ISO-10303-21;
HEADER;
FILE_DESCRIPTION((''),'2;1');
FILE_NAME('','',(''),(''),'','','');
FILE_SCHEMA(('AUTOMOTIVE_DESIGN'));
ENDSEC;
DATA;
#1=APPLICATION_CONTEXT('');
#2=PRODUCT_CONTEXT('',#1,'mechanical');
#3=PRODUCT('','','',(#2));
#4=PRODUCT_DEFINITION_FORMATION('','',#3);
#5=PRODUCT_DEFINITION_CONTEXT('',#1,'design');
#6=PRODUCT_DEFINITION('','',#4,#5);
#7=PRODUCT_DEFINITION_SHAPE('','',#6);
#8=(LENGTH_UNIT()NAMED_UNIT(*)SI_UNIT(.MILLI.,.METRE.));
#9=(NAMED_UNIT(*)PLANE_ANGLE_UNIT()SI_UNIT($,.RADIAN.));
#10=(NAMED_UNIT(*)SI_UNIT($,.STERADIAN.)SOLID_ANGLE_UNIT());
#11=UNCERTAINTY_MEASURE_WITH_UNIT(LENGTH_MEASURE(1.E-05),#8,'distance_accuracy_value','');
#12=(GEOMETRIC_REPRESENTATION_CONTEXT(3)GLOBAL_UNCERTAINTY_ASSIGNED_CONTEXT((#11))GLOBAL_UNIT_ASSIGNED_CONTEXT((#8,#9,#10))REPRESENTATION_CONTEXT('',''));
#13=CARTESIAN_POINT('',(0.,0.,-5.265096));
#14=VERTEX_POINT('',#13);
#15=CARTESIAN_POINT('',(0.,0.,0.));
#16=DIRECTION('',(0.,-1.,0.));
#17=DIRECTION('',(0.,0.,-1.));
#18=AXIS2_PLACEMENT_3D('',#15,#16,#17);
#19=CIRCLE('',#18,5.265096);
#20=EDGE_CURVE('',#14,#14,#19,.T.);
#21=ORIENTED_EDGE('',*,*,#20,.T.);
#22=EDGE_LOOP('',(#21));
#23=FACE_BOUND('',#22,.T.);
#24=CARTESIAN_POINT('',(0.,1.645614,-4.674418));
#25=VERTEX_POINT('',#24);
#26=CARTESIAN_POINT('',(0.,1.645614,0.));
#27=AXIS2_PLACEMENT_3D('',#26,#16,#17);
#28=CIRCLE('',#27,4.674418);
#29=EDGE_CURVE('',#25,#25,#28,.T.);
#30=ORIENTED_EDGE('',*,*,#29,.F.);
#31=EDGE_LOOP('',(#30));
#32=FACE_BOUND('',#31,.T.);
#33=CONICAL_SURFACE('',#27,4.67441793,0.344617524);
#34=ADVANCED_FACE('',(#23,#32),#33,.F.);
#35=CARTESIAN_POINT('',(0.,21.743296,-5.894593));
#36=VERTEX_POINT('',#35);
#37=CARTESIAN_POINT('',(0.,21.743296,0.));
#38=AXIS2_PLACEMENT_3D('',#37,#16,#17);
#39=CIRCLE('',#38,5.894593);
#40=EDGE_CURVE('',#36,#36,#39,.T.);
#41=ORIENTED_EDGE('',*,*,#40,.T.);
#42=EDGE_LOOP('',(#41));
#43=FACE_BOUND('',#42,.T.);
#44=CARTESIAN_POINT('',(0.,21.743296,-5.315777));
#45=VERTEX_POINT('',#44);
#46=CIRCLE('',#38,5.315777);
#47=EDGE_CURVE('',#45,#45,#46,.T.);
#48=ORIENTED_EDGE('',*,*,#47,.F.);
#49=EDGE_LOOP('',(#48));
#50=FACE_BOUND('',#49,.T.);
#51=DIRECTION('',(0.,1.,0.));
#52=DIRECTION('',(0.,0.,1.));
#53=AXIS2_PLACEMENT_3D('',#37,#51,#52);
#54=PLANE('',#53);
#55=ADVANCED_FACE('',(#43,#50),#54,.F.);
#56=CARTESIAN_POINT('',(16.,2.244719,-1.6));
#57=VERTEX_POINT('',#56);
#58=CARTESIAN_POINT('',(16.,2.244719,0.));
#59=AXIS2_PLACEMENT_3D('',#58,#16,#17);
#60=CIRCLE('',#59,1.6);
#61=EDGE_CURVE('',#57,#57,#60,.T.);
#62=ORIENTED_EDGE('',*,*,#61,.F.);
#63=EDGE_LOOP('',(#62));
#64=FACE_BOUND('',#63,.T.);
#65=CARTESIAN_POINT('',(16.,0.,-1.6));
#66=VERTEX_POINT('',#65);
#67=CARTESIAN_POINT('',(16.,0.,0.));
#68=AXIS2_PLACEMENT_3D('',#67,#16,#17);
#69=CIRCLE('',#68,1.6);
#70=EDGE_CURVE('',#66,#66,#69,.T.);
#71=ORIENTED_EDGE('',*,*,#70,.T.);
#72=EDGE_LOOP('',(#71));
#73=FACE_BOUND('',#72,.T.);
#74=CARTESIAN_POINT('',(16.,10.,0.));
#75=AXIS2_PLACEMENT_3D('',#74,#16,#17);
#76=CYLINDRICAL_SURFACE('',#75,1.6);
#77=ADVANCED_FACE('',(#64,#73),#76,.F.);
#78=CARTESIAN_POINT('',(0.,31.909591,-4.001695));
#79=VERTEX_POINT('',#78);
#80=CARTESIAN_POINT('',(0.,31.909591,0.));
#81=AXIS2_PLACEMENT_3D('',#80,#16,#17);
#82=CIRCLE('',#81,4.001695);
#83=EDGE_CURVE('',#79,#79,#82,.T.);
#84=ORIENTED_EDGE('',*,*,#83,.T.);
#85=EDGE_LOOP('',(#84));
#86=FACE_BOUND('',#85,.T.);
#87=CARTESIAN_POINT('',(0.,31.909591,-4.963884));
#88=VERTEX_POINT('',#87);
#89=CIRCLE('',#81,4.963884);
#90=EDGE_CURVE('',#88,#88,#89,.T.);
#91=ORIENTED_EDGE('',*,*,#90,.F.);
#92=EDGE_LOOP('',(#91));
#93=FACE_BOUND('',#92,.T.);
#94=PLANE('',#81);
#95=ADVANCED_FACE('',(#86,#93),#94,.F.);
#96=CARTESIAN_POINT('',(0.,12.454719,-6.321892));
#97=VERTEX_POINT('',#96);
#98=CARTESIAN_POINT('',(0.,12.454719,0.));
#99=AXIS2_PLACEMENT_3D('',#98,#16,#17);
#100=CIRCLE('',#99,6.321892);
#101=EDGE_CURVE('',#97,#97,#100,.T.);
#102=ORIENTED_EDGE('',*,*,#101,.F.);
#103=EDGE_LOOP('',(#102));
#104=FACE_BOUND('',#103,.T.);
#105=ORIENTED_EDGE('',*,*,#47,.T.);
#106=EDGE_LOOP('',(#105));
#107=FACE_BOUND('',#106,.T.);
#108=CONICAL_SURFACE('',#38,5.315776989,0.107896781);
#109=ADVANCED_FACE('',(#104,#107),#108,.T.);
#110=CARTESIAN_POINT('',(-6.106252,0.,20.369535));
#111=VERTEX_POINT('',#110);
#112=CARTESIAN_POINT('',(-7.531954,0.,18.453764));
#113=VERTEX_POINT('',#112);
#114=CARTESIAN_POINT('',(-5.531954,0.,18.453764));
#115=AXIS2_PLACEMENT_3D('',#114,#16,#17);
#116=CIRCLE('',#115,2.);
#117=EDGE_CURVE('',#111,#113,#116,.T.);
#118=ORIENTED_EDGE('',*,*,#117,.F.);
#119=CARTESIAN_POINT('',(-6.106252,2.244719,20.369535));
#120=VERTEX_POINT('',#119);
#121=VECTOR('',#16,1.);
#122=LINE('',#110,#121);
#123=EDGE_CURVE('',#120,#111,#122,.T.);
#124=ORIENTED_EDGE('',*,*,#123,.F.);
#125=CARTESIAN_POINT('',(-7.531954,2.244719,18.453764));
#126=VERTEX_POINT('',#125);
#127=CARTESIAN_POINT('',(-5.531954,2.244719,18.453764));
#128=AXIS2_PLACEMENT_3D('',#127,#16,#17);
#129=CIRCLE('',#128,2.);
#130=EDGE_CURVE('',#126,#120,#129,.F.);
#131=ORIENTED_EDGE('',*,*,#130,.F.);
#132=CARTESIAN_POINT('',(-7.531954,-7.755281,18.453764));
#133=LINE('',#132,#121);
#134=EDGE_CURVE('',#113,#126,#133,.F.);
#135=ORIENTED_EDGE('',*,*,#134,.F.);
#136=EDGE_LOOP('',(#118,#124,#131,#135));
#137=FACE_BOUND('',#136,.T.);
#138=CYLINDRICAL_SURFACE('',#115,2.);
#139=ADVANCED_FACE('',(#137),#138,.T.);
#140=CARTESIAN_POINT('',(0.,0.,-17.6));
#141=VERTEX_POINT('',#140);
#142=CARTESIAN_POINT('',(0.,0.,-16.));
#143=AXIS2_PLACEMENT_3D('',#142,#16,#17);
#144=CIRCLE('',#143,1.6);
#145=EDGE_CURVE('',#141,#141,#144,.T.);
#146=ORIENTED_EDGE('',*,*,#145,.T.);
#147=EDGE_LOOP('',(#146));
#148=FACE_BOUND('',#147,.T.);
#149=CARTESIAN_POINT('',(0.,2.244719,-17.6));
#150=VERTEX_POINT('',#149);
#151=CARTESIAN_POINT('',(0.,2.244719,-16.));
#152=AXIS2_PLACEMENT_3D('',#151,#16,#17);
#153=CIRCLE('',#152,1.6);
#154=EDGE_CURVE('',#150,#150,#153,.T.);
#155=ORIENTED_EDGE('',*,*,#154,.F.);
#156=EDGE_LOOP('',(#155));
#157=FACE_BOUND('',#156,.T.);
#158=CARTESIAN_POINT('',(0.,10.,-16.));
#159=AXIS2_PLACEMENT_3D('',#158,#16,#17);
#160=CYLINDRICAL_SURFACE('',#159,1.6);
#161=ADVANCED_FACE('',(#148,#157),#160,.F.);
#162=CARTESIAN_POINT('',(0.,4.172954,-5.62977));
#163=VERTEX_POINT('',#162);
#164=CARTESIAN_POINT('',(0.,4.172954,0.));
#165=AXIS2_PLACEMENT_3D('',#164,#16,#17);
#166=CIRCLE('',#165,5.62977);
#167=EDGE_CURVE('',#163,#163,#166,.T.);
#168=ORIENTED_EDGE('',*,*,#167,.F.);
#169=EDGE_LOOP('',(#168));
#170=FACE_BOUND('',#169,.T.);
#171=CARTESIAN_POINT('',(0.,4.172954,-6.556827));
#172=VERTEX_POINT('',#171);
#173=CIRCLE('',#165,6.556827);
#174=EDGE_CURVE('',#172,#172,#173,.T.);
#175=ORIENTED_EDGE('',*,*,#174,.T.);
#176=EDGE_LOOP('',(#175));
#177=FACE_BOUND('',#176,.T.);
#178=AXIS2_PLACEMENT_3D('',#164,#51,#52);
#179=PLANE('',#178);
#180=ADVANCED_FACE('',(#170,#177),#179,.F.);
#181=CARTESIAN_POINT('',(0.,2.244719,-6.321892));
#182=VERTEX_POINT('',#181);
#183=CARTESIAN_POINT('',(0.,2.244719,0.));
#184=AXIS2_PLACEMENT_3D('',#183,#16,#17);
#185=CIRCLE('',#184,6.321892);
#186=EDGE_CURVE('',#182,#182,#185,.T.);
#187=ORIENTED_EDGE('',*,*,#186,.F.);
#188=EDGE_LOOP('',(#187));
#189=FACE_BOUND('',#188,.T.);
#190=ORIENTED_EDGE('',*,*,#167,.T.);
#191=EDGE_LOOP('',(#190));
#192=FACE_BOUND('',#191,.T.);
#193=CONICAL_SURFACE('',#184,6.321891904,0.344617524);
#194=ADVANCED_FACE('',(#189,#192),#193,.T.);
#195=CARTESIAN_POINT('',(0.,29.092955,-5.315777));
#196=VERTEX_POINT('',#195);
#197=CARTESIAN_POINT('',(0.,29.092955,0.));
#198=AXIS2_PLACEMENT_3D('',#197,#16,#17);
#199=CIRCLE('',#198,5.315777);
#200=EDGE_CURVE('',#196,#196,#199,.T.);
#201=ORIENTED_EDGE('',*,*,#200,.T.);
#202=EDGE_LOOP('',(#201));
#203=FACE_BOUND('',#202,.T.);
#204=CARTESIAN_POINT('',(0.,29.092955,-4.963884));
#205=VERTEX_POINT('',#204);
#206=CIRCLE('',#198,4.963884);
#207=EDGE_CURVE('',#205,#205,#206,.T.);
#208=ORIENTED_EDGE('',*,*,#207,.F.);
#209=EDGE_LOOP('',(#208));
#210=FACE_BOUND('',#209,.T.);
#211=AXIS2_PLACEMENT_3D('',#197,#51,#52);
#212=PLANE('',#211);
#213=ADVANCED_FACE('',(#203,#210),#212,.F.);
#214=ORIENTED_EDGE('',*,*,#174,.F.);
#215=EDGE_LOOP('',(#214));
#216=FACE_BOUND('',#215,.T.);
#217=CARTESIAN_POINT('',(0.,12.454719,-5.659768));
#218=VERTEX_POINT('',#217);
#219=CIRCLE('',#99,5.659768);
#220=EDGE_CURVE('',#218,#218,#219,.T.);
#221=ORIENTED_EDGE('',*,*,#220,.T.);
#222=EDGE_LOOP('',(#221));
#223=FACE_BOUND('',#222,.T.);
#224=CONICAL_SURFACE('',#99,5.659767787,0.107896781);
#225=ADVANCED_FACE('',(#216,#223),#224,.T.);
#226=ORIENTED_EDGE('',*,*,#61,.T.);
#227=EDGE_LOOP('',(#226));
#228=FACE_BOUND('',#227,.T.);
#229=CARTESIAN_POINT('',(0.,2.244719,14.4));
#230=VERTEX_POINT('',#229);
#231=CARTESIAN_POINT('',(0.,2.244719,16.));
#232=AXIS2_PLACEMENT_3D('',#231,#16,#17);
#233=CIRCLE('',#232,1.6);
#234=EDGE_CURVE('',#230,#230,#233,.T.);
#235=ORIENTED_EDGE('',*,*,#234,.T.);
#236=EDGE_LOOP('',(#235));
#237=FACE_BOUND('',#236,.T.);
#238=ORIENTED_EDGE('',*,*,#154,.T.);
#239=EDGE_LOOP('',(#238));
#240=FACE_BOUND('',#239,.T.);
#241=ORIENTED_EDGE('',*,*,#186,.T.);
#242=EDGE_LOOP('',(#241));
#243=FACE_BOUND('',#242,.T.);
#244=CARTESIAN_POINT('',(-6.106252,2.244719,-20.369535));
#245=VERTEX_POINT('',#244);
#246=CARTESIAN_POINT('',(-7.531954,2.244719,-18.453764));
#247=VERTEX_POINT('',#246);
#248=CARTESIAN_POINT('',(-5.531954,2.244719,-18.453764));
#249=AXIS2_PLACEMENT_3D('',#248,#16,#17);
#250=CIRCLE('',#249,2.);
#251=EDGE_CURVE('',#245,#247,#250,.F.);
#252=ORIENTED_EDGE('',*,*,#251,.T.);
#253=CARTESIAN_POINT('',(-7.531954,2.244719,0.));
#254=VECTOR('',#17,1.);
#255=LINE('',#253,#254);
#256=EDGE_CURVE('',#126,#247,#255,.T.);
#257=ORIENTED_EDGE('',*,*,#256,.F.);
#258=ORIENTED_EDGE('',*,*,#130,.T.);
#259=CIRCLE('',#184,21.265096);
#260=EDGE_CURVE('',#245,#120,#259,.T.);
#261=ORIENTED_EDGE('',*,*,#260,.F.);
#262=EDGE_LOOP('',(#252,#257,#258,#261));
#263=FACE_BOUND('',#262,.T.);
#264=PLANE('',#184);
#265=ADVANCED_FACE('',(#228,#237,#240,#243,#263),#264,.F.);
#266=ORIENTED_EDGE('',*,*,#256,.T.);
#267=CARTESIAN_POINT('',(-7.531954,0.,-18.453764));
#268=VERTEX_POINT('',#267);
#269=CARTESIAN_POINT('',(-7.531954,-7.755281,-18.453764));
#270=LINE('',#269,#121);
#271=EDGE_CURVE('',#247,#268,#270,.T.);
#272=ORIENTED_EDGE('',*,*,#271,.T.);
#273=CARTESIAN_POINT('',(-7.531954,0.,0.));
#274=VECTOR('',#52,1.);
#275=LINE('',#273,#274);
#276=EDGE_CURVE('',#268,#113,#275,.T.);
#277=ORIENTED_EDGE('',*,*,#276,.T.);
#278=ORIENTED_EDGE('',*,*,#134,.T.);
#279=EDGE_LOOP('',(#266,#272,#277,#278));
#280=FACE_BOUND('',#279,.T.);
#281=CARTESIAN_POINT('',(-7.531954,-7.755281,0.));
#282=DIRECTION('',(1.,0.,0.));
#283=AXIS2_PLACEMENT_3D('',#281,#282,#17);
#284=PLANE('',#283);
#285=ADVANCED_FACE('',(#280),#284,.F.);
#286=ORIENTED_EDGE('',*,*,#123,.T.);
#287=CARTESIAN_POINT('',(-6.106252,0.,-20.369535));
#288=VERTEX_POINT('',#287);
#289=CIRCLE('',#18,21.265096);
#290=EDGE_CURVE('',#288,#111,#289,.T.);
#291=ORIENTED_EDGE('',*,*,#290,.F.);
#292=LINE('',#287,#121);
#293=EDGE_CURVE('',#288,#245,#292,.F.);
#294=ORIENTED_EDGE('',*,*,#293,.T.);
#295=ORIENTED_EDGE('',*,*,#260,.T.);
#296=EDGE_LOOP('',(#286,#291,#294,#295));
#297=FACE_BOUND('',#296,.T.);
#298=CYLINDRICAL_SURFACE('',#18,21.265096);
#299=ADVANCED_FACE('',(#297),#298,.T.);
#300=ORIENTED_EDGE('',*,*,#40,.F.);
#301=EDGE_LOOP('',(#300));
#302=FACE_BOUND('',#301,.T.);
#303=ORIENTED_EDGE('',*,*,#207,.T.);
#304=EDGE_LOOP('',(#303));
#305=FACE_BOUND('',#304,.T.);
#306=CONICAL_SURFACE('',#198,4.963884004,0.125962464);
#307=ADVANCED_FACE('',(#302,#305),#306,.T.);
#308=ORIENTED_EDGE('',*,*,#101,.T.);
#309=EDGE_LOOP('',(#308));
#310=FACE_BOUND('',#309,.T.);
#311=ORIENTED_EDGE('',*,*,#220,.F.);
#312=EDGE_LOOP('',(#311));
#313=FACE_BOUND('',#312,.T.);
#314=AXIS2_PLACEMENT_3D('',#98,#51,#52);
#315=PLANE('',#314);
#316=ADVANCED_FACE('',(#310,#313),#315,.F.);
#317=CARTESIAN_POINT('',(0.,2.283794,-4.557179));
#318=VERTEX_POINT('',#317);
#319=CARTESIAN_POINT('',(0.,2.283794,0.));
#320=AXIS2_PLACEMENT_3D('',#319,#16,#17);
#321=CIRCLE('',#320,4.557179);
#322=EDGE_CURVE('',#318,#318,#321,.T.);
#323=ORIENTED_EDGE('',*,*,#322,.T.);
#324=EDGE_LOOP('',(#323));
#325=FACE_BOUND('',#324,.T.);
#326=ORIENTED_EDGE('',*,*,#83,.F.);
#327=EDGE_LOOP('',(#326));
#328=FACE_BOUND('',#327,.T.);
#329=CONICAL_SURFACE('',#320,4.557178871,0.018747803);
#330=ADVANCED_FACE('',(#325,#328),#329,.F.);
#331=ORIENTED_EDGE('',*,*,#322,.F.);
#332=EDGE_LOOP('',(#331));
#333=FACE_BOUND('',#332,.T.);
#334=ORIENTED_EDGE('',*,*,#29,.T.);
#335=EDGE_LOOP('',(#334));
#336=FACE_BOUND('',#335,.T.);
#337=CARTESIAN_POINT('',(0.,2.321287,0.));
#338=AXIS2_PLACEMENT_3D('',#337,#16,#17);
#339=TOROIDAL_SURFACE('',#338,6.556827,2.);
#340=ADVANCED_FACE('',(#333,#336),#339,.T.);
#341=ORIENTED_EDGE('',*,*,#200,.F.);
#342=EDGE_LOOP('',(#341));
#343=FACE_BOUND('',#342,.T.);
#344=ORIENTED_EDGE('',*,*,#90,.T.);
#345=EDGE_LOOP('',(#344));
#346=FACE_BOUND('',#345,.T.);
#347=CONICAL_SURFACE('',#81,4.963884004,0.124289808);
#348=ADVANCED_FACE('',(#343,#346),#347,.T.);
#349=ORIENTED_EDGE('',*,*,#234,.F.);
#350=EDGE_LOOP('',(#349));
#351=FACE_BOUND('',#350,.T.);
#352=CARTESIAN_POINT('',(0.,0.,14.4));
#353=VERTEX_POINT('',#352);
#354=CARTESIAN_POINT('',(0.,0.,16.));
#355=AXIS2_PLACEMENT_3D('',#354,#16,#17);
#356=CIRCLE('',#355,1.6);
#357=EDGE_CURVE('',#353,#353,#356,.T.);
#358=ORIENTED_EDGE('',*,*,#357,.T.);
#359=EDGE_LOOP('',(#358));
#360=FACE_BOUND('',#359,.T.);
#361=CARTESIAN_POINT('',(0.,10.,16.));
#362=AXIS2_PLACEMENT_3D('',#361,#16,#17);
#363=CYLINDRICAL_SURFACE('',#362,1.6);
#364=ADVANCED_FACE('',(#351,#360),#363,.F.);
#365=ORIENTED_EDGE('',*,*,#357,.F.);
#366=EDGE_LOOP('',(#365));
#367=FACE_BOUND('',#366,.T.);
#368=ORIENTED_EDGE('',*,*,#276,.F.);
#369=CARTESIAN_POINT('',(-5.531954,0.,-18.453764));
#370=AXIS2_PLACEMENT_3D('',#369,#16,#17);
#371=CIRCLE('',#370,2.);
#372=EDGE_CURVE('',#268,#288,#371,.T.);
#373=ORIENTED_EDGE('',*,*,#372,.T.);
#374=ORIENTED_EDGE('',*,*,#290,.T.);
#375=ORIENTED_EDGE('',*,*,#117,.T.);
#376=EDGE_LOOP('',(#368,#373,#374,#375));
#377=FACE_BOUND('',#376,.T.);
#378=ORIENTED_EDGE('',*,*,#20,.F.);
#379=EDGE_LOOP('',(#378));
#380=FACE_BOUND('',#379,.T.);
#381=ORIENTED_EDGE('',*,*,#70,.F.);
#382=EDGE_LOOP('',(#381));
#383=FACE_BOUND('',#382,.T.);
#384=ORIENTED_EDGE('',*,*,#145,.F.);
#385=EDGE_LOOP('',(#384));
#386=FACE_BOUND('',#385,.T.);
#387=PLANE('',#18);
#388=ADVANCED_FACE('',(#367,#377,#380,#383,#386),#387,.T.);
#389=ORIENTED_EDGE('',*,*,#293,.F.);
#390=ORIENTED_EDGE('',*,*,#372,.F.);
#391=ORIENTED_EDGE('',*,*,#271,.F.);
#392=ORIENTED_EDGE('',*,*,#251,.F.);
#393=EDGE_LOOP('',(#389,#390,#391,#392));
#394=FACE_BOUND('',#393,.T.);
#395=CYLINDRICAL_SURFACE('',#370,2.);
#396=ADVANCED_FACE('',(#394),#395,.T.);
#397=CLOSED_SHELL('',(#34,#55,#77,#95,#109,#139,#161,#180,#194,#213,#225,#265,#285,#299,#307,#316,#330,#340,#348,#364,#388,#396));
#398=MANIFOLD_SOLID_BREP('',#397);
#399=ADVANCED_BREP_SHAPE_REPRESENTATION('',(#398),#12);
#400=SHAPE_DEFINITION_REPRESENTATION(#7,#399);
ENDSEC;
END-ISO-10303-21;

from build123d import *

# Parameters (mm, degrees)
SKETCH_2_R          = 1.6
CUT_EXTRUDE_1_DEPTH = 10
SKETCH_3_R          = 1.6
CUT_EXTRUDE_2_DEPTH = 10
FILLET_1_R          = 2


with BuildPart() as part:
    # 草图1 → 旋转1 (revolve)
    with BuildSketch(Plane.XY, mode=Mode.PRIVATE) as revolve_1_sk:
        with BuildLine():
            Line((4.67441793, 1.645613509), (5.265095642, 0))
            Line((5.265095642, 0), (21.265095642, 0))
            Line((21.265095642, 0), (21.265095642, 2.244719328))
            Line((21.265095642, 2.244719328), (14.3, 2.244719328))
            Line((14.3, 2.244719328), (8.034357928, 2.244719328))
            Line((8.034357928, 2.244719328), (6.321891904, 2.244719328))
            Line((6.321891904, 2.244719328), (5.629770002, 4.172953844))
            Line((5.629770002, 4.172953844), (6.556827402, 4.172953844))
            Line((6.556827402, 4.172953844), (5.659767787, 12.454719003))
            Line((5.659767787, 12.454719003), (6.321891904, 12.454719003))
            Line((6.321891904, 12.454719003), (5.315776989, 21.743296168))
            Line((5.315776989, 21.743296168), (5.894592711, 21.743296168))
            Line((5.894592711, 21.743296168), (4.963884004, 29.092954865))
            Line((4.963884004, 29.092954865), (5.315776989, 29.092954865))
            Line((5.315776989, 29.092954865), (4.963884004, 31.909590534))
            Line((4.963884004, 31.909590534), (4.001695177, 31.909590534))
            Line((4.001695177, 31.909590534), (4.557178871, 2.283793527))
            ThreePointArc((4.557178871, 2.283793527), (4.589745294, 1.959917343), (4.67441793, 1.645613509))
        make_face()
    revolve(revolve_1_sk.sketch.rotate(Axis((0, 0, 0), (0, 1, 0)), 90), axis=Axis((0, 0, 0), (0, 1, 0)))

    # 草图2 → 切除-拉伸1 (cut)
    with BuildSketch(Plane.XZ):
        with Locations(Location((-16, 0, 0), (0, 0, 270))):
            Circle(SKETCH_2_R)
        with Locations(Location((0, -16, 0), (0, 0, 270))):
            Circle(SKETCH_2_R)
        with Locations(Location((16, 0, 0), (0, 0, 270))):
            Circle(SKETCH_2_R)
        with Locations(Location((0, 16, 0), (0, 0, 270))):
            Circle(SKETCH_2_R)
    extrude(amount=-CUT_EXTRUDE_1_DEPTH, mode=Mode.SUBTRACT)

    # 草图3 → 切除-拉伸2 (cut)
    with BuildSketch(Plane(origin=(0, 2.244719328, 0), x_dir=(1, 0, 0), z_dir=(0, 1, 0))):
        with BuildLine():
            ThreePointArc((-7.531954162, 19.886527076), (-21.265095642, 0), (-7.531954162, -19.886527076))
            Line((-7.531954162, -19.886527076), (-7.531954162, 19.886527076))
        make_face()
        with Locations((-16, 0)):
            Circle(SKETCH_3_R, mode=Mode.SUBTRACT)
    extrude(amount=-CUT_EXTRUDE_2_DEPTH, mode=Mode.SUBTRACT)

    # 圆角1
    fillet_1_edges = [part.edges().sort_by_distance(p)[0] for p in [
        (-7.531954162, 1.122359664, 19.886527076),
        (-7.531954162, 1.122359664, -19.886527076),
    ]]
    fillet(fillet_1_edges, radius=FILLET_1_R)


solid = part.part
